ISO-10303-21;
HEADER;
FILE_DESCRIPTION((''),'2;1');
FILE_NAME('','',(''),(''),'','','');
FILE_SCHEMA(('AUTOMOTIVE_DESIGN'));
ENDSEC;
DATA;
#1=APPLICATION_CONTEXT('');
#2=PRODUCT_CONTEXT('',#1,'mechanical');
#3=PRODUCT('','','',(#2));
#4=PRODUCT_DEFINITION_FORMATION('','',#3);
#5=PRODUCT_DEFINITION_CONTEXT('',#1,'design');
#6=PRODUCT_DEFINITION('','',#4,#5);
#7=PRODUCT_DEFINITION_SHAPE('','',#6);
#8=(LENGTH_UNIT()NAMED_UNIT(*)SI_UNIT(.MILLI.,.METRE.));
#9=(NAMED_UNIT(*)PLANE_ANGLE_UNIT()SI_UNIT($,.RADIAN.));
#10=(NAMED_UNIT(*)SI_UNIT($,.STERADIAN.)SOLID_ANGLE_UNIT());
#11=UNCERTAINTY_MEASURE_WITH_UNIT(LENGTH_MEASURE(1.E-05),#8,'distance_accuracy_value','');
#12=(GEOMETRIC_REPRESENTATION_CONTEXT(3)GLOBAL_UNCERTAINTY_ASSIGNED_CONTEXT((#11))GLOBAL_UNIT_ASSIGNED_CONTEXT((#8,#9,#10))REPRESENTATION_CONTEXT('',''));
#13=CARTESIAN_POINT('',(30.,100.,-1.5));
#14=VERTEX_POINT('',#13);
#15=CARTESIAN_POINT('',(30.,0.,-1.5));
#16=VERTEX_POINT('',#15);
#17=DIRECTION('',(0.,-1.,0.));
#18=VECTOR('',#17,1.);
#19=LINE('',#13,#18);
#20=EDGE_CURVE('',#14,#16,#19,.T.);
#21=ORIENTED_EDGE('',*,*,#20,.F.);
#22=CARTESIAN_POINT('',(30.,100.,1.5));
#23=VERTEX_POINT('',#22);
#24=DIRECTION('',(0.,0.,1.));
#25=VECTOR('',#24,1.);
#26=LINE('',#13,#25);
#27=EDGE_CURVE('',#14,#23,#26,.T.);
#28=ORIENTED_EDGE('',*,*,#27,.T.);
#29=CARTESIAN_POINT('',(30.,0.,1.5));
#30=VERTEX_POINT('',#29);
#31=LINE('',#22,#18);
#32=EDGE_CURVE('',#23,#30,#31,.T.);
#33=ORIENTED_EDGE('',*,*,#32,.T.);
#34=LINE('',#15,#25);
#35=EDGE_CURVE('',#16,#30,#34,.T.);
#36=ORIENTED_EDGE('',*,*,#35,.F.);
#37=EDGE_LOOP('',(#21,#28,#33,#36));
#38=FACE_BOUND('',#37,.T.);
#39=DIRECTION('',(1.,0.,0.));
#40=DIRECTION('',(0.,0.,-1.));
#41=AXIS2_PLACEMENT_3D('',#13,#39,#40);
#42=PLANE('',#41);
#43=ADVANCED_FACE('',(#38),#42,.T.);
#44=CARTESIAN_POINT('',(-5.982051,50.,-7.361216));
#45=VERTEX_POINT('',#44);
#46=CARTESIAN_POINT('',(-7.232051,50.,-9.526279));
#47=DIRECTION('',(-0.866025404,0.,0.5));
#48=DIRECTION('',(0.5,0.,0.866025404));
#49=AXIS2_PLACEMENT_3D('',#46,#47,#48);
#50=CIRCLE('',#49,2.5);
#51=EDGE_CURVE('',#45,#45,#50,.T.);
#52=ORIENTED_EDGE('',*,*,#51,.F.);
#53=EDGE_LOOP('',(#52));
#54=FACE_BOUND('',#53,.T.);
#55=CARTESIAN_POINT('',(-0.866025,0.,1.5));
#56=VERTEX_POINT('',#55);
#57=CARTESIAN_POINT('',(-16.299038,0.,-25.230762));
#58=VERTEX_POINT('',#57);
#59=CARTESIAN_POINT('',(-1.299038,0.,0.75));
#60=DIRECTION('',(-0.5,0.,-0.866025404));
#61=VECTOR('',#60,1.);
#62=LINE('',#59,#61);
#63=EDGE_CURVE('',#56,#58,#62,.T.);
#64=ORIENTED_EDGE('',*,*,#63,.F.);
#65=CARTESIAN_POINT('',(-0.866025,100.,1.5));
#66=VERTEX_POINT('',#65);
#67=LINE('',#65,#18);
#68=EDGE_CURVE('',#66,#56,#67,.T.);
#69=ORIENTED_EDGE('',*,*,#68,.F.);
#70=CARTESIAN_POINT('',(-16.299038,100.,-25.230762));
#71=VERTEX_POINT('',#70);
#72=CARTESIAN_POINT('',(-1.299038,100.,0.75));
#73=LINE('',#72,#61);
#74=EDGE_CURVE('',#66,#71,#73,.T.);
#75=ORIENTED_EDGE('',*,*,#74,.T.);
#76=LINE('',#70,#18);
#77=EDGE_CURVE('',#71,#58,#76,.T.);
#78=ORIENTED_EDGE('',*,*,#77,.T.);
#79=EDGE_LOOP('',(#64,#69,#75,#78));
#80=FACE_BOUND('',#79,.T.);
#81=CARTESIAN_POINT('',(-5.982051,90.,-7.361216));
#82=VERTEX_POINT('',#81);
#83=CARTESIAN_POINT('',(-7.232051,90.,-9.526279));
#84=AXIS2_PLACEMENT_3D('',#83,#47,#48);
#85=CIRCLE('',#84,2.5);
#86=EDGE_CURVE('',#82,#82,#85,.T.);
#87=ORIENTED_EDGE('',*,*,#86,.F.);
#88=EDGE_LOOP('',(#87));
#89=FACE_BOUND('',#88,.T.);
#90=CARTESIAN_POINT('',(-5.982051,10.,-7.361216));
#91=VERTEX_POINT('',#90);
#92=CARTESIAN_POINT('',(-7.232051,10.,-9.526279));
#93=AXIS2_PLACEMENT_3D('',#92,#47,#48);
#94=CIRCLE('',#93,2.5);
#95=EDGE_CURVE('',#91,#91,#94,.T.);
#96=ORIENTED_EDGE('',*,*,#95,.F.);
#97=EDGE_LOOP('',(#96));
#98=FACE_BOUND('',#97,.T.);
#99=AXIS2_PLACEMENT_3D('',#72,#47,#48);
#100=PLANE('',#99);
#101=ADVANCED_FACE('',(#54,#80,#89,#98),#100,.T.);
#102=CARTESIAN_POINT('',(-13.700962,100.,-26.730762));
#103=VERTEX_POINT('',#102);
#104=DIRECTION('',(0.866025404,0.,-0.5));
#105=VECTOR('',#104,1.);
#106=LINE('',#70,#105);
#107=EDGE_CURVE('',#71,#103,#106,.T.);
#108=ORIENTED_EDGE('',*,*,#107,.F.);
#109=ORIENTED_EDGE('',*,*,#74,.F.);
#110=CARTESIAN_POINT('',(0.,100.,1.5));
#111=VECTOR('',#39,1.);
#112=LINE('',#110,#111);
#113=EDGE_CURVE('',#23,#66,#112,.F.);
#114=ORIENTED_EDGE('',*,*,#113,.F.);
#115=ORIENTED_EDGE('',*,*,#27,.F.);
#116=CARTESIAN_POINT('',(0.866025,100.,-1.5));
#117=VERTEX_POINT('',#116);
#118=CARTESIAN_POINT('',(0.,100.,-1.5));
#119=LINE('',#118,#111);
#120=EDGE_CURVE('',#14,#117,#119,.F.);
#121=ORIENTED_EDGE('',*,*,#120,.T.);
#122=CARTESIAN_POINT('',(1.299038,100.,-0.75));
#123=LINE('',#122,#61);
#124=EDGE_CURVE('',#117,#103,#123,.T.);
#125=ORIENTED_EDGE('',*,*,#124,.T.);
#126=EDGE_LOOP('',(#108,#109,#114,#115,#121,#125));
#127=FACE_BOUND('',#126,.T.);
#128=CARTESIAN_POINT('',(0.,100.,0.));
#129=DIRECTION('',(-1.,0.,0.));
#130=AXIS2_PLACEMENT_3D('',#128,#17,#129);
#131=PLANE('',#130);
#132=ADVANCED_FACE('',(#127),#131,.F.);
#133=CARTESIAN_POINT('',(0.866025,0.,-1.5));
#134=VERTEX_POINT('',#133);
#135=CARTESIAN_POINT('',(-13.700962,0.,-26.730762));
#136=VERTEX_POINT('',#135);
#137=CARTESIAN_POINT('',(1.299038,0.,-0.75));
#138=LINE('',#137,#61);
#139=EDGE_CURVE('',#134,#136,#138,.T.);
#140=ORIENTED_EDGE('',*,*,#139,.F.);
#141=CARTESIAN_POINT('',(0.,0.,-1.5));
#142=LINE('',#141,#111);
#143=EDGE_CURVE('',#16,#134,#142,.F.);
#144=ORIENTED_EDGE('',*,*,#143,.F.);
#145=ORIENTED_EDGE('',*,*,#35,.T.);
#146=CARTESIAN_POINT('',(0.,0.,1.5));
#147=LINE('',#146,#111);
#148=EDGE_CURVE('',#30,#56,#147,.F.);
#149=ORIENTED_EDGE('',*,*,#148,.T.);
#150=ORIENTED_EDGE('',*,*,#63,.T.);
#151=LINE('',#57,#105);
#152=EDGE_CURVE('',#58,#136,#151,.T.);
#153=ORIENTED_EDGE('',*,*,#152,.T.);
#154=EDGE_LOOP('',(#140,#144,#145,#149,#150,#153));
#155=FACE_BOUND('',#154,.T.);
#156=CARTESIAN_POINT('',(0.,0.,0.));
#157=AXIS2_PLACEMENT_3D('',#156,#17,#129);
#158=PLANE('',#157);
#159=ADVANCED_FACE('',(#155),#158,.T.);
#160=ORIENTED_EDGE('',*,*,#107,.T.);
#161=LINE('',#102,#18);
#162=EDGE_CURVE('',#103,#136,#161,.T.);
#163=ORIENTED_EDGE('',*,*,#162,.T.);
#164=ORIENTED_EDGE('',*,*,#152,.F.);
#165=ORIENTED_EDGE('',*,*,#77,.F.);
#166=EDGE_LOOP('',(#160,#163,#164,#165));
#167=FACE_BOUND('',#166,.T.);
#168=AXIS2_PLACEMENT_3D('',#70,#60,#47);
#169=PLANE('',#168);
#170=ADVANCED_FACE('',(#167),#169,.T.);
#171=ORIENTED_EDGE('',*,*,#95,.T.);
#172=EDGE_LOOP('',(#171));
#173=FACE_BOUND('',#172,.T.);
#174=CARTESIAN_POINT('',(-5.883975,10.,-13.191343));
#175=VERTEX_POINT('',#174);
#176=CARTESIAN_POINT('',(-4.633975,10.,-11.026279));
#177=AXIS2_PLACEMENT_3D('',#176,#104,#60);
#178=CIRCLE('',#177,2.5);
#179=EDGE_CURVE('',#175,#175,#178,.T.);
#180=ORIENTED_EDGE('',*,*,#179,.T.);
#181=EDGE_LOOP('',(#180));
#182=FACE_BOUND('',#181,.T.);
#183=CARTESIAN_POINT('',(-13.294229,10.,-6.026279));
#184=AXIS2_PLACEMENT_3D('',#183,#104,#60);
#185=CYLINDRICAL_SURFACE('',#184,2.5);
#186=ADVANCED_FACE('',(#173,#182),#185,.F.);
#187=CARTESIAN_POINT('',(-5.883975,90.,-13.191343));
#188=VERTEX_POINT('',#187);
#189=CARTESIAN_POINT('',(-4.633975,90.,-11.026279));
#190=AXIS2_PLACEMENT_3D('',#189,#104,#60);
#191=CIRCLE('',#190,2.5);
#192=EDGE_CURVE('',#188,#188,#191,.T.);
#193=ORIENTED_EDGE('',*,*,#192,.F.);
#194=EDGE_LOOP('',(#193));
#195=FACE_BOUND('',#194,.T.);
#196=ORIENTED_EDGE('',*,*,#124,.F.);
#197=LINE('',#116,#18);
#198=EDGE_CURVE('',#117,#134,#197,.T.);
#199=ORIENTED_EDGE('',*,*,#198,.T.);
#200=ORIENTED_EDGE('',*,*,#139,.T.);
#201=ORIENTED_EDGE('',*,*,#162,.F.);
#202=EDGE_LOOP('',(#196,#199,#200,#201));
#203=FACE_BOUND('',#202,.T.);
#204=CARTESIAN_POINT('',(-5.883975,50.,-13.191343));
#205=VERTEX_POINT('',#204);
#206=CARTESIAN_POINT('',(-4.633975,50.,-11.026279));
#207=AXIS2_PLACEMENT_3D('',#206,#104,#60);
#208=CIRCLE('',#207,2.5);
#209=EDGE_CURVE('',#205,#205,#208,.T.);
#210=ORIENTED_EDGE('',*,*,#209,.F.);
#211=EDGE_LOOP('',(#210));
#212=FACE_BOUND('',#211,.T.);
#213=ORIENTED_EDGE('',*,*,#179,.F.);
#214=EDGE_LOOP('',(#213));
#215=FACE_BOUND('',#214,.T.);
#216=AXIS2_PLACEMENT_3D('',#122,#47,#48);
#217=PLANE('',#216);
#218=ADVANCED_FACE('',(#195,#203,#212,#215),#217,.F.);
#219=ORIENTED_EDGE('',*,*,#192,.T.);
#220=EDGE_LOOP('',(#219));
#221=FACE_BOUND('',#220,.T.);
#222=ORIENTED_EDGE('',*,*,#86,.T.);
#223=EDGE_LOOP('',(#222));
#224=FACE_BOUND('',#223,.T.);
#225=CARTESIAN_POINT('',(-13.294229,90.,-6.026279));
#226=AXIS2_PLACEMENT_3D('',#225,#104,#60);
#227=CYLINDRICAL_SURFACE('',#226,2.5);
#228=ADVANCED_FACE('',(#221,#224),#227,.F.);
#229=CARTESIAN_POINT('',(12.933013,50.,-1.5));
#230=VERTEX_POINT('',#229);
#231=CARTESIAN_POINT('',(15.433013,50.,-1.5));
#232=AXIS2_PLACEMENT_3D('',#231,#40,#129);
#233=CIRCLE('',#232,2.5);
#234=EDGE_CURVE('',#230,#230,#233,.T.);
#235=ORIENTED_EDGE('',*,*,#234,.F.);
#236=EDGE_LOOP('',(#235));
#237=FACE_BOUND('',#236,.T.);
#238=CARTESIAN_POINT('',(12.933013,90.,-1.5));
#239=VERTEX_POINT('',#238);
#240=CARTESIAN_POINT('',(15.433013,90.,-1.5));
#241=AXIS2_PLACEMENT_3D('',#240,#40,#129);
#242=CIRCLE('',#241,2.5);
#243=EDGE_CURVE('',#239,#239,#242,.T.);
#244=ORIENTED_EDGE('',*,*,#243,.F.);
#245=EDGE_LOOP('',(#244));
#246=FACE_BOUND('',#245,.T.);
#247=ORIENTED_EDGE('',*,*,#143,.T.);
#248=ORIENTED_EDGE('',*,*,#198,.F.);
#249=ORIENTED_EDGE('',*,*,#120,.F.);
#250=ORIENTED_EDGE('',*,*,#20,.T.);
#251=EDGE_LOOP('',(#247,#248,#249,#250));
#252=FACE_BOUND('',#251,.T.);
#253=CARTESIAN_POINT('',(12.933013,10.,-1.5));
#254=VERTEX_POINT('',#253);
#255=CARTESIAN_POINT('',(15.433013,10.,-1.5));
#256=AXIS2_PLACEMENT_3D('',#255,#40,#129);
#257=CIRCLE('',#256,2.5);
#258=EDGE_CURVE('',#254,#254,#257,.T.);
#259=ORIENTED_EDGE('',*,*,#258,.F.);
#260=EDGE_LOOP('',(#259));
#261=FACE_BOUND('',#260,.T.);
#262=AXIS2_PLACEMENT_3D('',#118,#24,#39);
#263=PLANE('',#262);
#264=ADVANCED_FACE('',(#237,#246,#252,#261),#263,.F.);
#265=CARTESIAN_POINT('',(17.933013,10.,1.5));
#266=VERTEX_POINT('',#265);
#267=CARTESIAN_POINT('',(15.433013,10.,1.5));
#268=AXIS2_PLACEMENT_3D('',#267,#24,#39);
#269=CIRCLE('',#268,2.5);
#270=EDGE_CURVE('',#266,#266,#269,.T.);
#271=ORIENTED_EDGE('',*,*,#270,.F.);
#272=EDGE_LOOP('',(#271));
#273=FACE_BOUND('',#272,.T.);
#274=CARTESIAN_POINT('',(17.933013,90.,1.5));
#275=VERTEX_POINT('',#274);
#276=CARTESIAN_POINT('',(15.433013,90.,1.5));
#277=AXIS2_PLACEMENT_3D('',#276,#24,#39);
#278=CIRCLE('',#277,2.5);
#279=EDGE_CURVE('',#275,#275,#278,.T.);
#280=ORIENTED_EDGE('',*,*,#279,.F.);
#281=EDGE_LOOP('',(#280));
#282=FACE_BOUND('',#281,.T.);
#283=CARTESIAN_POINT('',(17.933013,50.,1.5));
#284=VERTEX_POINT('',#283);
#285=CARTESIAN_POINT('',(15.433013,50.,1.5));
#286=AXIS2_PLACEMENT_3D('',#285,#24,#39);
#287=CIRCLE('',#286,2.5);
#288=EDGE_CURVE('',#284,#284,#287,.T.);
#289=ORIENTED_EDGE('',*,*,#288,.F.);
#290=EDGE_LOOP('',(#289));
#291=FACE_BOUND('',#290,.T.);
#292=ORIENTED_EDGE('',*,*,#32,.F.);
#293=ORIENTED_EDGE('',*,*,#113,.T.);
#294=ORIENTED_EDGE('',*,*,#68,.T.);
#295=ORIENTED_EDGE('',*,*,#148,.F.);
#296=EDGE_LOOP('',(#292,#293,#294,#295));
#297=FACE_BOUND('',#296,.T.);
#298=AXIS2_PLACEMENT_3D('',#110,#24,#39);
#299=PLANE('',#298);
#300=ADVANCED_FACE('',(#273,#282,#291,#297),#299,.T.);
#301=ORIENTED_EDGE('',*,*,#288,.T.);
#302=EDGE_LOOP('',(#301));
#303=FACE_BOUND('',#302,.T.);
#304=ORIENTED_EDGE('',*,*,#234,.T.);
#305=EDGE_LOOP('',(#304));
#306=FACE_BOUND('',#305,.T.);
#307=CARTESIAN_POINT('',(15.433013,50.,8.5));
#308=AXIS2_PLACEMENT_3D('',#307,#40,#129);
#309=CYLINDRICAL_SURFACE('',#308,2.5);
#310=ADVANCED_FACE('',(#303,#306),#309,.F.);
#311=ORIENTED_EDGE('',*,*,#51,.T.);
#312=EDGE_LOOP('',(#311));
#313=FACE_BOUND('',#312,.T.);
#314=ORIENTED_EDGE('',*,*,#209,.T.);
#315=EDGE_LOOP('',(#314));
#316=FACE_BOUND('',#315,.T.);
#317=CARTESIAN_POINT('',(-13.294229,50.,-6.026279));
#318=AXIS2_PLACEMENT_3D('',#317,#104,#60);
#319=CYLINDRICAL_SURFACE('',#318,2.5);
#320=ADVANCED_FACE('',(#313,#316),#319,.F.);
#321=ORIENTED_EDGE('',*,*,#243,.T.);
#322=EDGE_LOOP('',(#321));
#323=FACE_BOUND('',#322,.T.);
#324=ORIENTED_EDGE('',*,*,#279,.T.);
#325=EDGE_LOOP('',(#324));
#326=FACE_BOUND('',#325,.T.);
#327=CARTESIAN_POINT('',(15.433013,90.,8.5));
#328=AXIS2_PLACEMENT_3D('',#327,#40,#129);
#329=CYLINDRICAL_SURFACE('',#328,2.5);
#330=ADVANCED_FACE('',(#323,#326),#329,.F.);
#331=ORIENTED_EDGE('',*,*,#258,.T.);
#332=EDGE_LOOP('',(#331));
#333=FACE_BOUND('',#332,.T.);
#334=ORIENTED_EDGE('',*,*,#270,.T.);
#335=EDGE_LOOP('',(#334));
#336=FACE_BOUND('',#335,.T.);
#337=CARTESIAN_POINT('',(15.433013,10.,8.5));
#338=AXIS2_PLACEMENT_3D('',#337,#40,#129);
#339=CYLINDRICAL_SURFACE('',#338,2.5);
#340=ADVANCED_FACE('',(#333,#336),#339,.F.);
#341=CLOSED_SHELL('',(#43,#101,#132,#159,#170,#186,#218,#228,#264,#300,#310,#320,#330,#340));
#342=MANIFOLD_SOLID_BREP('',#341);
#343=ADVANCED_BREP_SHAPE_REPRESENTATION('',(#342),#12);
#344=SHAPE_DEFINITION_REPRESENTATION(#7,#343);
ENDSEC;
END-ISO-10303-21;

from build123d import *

# Parameters (mm, degrees)
EXTRUDE_THIN1_DEPTH = 100
SKETCH2_R           = 2.5
CUT_EXTRUDE1_DEPTH  = 10
SKETCH3_R           = 2.5
CUT_EXTRUDE2_DEPTH  = 10


with BuildPart() as part:
    # Sketch1 → Extrude-Thin1 (new body)
    with BuildSketch(Plane(origin=(0, 0, 0), x_dir=(1, 0, 0), z_dir=(0, 1, 0))):
        Polygon((-16.299038106, 25.230762114), (-0.866025404, -1.5), (30, -1.5), (30, 1.5), (0.866025404, 1.5), (-13.700961894, 26.730762114), align=None)
    extrude(amount=EXTRUDE_THIN1_DEPTH)

    # Sketch2 → Cut-Extrude1 (cut)
    with BuildSketch(Plane(origin=(1.299038106, 0, -0.75), x_dir=(-0.5, 0, -0.866025404), z_dir=(0.866025404, 0, -0.5))):
        with Locations((11.866025404, 90)):
            Circle(SKETCH2_R)
        with Locations((11.866025404, 50)):
            Circle(SKETCH2_R)
        with Locations((11.866025404, 10)):
            Circle(SKETCH2_R)
    extrude(amount=-CUT_EXTRUDE1_DEPTH, mode=Mode.SUBTRACT)

    # Sketch3 → Cut-Extrude2 (cut)
    with BuildSketch(Plane(origin=(0, 0, -1.5), x_dir=(-1, 0, 0), z_dir=(0, 0, -1))):
        with Locations((-15.433012702, 50)):
            Circle(SKETCH3_R)
        with Locations((-15.433012702, 10)):
            Circle(SKETCH3_R)
        with Locations((-15.433012702, 90)):
            Circle(SKETCH3_R)
    extrude(amount=-CUT_EXTRUDE2_DEPTH, mode=Mode.SUBTRACT)


solid = part.part
